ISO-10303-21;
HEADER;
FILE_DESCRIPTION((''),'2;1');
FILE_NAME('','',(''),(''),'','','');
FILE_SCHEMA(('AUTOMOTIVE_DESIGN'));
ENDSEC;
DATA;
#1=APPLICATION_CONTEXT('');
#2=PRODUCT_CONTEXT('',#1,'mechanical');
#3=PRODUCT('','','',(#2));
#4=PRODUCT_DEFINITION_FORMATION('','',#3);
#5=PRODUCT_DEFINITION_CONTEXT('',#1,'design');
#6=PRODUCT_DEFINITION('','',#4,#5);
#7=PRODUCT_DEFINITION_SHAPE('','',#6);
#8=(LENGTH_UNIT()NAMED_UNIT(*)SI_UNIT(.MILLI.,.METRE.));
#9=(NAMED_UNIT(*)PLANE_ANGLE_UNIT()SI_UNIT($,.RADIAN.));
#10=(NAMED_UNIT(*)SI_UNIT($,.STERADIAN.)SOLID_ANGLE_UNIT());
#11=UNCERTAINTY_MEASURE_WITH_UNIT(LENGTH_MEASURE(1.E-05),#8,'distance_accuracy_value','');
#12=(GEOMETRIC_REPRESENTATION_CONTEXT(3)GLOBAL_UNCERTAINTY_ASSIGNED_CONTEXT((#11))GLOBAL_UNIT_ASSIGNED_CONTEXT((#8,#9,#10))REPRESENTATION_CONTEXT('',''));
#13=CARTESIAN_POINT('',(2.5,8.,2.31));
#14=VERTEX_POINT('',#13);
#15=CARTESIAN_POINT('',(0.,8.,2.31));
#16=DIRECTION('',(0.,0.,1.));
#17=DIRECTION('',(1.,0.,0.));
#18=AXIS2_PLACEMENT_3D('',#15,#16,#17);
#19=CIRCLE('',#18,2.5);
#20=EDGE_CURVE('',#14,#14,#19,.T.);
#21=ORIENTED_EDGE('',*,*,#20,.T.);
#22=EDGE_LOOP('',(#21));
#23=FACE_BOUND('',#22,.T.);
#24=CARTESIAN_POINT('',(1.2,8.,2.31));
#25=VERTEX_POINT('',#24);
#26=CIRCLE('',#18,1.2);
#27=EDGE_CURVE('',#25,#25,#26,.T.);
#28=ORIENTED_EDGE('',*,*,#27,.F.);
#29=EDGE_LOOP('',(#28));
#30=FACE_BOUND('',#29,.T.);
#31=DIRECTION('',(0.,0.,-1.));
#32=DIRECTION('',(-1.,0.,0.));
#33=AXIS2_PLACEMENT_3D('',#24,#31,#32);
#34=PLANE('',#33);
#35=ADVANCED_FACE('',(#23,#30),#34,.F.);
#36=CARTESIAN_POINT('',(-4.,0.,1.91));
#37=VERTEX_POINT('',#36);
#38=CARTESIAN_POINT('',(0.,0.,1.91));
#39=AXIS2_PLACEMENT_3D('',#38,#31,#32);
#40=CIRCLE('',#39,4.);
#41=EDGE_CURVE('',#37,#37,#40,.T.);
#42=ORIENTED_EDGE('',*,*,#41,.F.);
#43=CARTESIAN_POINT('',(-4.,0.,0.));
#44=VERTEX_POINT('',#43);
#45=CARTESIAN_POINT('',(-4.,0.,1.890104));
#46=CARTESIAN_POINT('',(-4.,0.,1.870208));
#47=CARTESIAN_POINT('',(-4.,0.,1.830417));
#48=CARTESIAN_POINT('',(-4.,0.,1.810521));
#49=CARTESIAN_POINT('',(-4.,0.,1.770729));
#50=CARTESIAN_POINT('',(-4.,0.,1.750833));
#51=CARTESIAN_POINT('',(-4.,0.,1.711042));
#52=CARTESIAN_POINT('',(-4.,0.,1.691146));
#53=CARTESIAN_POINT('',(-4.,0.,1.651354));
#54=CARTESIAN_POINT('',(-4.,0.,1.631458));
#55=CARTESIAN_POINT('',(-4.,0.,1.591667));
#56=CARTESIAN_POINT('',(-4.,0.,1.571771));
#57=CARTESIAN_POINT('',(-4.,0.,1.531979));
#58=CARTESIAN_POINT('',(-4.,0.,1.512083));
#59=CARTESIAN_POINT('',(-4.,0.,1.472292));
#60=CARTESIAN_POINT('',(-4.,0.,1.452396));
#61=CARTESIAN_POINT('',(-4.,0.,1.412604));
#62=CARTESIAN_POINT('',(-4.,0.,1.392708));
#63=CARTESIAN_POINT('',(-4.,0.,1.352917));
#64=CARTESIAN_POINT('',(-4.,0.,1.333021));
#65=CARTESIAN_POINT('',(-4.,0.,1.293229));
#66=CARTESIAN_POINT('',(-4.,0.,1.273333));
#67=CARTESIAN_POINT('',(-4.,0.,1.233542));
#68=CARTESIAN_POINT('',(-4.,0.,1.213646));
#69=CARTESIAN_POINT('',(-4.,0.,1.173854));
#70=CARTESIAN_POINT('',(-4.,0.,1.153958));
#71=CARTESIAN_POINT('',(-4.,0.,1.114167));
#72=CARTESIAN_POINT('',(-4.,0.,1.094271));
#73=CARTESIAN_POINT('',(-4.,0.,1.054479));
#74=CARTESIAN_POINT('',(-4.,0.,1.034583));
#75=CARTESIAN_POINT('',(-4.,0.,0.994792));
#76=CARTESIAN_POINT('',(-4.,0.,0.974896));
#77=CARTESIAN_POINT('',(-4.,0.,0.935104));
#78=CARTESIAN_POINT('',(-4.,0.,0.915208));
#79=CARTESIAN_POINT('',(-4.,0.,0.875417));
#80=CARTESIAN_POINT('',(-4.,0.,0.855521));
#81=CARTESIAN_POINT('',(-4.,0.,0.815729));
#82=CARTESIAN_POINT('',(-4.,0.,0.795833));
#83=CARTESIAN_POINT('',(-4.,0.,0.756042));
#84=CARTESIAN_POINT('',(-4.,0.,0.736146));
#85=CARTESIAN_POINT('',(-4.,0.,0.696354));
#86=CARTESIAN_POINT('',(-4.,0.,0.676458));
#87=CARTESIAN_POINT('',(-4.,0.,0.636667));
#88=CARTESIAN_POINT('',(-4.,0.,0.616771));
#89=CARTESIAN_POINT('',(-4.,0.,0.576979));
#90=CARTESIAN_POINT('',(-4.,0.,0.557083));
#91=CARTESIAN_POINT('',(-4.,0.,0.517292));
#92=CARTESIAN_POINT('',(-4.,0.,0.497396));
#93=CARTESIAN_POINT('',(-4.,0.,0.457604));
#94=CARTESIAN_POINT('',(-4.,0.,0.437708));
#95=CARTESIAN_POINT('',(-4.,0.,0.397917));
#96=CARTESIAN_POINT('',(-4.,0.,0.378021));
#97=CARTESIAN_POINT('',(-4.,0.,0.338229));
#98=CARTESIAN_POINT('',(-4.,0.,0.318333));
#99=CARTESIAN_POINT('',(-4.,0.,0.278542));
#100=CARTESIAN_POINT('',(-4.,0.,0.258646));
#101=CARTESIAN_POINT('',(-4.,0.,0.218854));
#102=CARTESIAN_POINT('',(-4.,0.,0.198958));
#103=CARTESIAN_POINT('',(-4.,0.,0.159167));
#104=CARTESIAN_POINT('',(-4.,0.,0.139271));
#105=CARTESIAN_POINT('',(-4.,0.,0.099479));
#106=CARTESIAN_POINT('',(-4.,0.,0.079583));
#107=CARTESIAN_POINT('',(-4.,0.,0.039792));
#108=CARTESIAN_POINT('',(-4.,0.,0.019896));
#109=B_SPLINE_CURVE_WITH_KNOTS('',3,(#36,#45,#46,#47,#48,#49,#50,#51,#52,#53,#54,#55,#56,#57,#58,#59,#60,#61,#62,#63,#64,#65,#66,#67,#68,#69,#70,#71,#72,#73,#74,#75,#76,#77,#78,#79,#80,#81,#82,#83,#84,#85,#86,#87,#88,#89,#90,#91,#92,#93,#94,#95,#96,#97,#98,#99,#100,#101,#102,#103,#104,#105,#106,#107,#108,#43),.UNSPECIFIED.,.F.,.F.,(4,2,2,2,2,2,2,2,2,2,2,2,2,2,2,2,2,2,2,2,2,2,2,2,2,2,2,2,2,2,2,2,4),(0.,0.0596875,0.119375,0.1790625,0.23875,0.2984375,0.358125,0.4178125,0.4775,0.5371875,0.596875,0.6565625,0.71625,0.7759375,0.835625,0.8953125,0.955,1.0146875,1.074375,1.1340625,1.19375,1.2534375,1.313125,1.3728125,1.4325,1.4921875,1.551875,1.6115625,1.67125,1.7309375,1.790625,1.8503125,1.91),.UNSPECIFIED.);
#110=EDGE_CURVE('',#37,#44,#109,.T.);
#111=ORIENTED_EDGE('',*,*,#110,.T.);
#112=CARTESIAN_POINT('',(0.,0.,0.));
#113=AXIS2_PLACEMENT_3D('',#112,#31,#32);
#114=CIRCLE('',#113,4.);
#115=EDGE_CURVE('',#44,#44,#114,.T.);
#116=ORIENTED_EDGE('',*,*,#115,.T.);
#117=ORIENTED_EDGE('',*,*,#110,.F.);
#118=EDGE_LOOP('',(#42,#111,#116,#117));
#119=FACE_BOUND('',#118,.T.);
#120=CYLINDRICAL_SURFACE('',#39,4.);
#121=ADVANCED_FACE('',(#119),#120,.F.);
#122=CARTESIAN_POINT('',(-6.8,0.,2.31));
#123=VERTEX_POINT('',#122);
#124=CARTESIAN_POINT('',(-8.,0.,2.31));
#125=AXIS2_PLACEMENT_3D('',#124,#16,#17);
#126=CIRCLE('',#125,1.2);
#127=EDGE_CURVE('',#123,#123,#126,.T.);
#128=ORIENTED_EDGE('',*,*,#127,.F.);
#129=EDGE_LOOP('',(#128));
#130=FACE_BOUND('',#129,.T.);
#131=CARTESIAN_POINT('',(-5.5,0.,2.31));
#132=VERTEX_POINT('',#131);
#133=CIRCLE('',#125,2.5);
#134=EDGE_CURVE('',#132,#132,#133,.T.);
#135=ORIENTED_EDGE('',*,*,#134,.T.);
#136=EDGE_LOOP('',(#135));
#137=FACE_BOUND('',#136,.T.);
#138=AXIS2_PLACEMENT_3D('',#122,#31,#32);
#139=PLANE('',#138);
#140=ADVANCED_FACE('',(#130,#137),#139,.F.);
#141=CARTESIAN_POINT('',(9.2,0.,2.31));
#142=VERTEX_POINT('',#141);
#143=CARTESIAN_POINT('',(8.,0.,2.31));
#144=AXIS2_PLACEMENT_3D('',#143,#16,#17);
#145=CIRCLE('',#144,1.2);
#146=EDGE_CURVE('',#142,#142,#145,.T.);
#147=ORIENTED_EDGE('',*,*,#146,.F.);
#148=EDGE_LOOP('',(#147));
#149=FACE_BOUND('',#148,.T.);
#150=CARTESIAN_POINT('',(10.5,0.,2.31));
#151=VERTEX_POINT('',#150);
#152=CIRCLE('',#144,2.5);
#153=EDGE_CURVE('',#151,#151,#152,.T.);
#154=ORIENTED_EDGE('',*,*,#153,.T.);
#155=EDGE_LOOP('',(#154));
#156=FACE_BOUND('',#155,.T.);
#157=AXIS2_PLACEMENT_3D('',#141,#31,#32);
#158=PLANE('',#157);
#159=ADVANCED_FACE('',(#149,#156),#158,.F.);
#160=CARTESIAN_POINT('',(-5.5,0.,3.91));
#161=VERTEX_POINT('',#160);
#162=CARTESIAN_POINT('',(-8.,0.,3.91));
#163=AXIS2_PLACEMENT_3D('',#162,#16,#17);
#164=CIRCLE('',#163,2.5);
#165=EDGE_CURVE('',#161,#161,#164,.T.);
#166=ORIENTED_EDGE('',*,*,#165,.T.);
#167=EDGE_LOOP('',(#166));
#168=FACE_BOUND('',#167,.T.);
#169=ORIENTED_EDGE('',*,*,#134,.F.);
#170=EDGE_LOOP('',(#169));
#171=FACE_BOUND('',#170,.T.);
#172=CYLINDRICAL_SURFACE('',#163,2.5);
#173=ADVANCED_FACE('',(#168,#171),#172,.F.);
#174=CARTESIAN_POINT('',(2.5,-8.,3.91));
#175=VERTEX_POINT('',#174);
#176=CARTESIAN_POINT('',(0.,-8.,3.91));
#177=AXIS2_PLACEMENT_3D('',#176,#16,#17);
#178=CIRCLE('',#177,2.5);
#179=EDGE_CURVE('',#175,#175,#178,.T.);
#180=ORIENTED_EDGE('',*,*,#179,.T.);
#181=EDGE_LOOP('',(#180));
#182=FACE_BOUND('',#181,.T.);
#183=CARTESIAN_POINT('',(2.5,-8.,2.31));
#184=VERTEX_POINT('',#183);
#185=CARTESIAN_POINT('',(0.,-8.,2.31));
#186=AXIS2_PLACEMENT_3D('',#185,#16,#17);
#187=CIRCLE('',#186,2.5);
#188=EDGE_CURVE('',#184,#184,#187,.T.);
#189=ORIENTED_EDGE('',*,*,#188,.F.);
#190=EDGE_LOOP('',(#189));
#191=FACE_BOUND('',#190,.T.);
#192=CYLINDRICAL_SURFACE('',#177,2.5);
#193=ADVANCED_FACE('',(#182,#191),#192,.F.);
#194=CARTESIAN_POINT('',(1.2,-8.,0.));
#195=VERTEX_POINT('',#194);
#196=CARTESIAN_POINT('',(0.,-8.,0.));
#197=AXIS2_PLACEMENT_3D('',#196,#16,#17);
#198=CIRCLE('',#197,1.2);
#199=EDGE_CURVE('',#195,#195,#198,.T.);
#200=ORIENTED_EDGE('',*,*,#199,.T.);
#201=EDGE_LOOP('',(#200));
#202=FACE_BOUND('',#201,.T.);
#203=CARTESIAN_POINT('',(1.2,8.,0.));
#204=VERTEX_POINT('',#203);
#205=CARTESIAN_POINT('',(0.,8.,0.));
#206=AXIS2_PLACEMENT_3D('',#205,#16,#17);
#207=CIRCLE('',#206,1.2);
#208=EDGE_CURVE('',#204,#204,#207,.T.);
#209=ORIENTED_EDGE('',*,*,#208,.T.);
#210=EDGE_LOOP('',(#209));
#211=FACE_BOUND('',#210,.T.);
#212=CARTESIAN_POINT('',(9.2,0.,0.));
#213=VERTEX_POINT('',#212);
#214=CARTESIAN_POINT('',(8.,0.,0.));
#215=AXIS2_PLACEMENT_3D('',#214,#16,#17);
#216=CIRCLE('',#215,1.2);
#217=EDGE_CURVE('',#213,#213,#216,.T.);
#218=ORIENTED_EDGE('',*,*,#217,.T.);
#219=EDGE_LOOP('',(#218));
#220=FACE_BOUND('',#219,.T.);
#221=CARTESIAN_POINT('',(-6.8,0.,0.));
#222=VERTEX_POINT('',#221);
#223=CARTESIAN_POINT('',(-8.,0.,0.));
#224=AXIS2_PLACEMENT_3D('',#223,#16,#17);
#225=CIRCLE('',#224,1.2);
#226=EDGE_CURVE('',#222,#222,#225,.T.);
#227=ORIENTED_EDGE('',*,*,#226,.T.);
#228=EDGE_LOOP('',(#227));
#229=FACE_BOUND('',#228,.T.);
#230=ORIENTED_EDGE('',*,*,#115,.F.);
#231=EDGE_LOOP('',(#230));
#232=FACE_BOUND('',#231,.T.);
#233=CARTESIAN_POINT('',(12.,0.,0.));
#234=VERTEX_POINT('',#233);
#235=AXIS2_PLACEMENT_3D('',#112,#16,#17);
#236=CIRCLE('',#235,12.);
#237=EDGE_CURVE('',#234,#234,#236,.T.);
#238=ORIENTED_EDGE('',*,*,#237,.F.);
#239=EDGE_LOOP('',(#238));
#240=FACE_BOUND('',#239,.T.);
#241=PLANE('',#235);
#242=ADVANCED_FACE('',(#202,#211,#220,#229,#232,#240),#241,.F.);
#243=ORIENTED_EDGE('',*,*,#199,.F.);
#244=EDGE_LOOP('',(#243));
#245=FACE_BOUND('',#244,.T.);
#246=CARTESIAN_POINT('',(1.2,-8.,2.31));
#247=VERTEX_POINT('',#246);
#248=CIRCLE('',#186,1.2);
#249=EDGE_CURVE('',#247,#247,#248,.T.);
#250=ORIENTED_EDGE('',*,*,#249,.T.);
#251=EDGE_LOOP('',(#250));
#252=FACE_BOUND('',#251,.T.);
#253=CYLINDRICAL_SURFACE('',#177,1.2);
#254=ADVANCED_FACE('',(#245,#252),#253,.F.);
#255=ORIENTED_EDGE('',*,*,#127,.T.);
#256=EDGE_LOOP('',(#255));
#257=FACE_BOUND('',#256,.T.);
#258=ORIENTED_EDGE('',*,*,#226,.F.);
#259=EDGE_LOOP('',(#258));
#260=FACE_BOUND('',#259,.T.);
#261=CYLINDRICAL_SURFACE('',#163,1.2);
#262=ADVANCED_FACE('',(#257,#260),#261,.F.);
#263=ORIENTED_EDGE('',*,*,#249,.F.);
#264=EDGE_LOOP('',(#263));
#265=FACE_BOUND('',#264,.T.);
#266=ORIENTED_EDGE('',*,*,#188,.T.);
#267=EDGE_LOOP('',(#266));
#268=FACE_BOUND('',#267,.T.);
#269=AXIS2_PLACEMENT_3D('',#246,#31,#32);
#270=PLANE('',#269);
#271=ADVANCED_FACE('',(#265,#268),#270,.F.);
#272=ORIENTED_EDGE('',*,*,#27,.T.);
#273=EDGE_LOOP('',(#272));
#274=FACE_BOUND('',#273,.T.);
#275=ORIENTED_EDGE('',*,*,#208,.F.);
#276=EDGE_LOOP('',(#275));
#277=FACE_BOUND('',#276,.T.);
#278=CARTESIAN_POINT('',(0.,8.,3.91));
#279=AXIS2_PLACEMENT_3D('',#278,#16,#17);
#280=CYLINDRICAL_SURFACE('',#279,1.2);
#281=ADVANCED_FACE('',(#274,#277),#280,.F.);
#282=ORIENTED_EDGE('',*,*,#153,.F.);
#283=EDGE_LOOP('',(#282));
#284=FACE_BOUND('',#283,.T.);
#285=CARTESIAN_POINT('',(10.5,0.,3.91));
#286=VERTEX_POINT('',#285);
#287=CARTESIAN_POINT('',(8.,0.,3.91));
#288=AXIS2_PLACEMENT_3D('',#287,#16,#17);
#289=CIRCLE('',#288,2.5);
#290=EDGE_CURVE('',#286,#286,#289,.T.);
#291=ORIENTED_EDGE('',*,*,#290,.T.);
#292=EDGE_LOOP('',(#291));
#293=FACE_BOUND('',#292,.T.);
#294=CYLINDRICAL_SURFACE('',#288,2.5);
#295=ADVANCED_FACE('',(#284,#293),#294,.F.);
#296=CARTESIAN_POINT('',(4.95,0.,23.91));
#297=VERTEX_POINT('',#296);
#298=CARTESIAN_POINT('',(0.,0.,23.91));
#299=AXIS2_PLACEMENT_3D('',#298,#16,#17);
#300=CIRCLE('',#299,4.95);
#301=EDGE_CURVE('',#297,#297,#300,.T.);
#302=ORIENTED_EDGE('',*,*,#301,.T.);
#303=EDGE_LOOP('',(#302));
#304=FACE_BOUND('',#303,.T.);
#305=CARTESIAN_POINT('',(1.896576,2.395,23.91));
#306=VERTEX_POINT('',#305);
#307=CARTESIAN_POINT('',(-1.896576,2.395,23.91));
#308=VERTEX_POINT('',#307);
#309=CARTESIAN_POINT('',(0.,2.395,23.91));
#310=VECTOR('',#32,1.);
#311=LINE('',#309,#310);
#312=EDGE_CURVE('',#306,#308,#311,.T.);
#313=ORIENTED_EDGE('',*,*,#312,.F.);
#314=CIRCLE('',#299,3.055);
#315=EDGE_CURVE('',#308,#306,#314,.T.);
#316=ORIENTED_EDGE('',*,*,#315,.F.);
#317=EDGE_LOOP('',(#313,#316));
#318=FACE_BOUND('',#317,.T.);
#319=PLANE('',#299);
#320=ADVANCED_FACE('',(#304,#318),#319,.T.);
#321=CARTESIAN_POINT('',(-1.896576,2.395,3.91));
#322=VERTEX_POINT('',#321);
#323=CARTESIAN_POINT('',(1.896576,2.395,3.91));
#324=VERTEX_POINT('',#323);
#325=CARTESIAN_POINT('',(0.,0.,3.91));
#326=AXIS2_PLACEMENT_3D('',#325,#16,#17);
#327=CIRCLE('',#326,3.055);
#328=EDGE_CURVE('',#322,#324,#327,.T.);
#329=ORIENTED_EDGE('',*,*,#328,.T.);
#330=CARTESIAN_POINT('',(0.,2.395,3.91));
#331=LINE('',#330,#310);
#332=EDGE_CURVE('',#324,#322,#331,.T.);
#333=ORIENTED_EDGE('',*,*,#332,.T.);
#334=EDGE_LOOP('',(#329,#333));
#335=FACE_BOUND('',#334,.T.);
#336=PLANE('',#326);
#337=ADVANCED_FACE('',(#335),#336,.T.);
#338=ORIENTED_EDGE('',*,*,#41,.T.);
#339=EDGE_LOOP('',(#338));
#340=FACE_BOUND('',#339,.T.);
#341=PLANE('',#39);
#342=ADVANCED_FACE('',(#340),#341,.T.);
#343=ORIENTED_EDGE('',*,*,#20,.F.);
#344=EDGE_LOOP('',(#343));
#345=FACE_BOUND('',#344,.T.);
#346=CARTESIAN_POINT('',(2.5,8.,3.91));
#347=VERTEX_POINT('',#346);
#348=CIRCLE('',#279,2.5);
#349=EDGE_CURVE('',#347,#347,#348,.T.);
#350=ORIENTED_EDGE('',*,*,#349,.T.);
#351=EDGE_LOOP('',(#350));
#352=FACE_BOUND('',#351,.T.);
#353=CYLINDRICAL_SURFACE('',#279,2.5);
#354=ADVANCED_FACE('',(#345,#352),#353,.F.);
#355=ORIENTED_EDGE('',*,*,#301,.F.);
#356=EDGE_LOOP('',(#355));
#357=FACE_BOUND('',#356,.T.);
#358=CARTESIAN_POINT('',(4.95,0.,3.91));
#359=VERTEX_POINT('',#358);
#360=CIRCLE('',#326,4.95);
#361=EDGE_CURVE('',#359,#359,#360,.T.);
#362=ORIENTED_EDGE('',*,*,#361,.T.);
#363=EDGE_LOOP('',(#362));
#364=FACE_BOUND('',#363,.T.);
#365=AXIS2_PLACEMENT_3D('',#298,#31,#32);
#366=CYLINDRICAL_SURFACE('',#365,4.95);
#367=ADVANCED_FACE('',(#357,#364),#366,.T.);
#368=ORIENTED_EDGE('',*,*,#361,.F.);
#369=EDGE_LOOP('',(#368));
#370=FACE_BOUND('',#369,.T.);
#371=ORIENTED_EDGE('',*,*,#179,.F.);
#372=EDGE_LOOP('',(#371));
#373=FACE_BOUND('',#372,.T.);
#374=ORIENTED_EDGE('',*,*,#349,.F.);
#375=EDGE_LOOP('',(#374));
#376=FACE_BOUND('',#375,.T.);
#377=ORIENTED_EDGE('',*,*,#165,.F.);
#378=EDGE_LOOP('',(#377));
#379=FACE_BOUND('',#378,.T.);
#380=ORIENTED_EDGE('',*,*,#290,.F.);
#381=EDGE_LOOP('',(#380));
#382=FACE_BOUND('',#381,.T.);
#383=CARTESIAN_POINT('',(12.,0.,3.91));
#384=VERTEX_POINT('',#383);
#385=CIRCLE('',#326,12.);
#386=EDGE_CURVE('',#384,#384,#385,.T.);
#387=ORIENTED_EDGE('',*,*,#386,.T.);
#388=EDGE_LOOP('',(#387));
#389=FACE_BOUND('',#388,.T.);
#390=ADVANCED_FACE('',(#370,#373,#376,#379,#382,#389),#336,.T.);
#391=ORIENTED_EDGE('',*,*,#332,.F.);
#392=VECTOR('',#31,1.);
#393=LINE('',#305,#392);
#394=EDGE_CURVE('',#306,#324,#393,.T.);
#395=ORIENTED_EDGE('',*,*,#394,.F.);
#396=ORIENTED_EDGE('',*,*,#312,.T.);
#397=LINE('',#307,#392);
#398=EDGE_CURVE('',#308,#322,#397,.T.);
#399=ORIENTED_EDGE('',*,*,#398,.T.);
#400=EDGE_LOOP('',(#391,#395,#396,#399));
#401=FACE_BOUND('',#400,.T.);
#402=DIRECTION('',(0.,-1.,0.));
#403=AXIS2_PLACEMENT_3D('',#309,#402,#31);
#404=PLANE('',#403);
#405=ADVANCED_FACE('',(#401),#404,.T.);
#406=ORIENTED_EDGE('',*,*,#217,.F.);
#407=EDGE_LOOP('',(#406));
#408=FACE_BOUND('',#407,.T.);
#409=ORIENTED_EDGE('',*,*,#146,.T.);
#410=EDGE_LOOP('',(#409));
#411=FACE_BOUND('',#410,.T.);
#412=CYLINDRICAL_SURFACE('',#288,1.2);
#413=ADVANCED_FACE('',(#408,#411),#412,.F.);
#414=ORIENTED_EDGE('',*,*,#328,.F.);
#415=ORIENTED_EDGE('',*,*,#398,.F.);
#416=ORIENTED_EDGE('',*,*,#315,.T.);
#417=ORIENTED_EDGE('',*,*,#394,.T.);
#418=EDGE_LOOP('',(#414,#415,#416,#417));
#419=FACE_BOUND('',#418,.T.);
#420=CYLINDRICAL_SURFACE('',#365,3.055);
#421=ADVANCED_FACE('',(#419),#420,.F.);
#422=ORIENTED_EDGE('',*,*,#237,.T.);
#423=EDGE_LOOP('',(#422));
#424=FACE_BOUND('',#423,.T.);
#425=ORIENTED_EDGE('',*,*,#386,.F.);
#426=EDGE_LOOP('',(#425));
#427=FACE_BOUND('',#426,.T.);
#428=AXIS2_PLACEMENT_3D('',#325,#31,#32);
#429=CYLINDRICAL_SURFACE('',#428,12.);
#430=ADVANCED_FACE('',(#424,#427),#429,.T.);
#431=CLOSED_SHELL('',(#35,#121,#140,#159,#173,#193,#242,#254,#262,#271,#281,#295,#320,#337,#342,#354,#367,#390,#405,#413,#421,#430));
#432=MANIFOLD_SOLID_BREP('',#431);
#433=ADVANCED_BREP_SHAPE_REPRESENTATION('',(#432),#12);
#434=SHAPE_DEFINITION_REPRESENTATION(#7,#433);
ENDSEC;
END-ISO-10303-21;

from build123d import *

# Parameters (mm, degrees)
ESQUISSE1_R                                        = 12
BOSS_EXTRU_1_DEPTH                                 = 3.91
ESQUISSE6_R                                        = 4
ENL_V_MAT_EXTRU_2_DEPTH                            = 1.91
ESQUISSE7_R                                        = 4.95
BOSS_EXTRU_2_DEPTH                                 = 20
CHAMBRAGE_POUR_VIS_T_TE_RONDE_BOMB_E_M_D           = 2.4
CHAMBRAGE_POUR_VIS_T_TE_RONDE_BOMB_E_M_CBORE_D     = 5
CHAMBRAGE_POUR_VIS_T_TE_RONDE_BOMB_E_M_CBORE_DEPTH = 1.6
R_P_TITION_CIRCULAIRE2_COUNT                       = 4


with BuildPart() as part:
    # Esquisse1 → Boss.-Extru.1 (new body)
    with BuildSketch(Plane.XY):
        Circle(ESQUISSE1_R)
    extrude(amount=BOSS_EXTRU_1_DEPTH)

    # Esquisse6 → Enlèv. mat.-Extru.2 (cut)
    with BuildSketch(Plane(origin=(0, 0, 0), x_dir=(-1, 0, 0), z_dir=(0, 0, -1))):
        Circle(ESQUISSE6_R)
    extrude(amount=-ENL_V_MAT_EXTRU_2_DEPTH, mode=Mode.SUBTRACT)

    # Esquisse7 → Boss.-Extru.2 (add)
    with BuildSketch(Plane.XY.offset(3.91)):
        Circle(ESQUISSE7_R)
        with BuildLine():
            Line((1.896575862, 2.395), (-1.896575862, 2.395))
            ThreePointArc((-1.896575862, 2.395), (0, -3.055), (1.896575862, 2.395))
        make_face(mode=Mode.SUBTRACT)
    extrude(amount=BOSS_EXTRU_2_DEPTH)

    # Chambrage pour vis à tête ronde bombée M21 (through all)
    with Locations(Plane.XY.offset(3.91)):
        with Locations((0, 8)):
            chambrage_pour_vis_t_te_ronde_bomb_e_m = CounterBoreHole(CHAMBRAGE_POUR_VIS_T_TE_RONDE_BOMB_E_M_D / 2, CHAMBRAGE_POUR_VIS_T_TE_RONDE_BOMB_E_M_CBORE_D / 2, CHAMBRAGE_POUR_VIS_T_TE_RONDE_BOMB_E_M_CBORE_DEPTH)

    # Répétition circulaire2: Chambrage pour vis à tête ronde bombée M21 ×4 about axis
    r_p_tition_circulaire2_axis = Axis((0, 0, 0), (0, 0, 1))
    for i in range(1, R_P_TITION_CIRCULAIRE2_COUNT):
        add(chambrage_pour_vis_t_te_ronde_bomb_e_m.rotate(r_p_tition_circulaire2_axis, i * 360 / R_P_TITION_CIRCULAIRE2_COUNT), mode=Mode.SUBTRACT)


solid = part.part
